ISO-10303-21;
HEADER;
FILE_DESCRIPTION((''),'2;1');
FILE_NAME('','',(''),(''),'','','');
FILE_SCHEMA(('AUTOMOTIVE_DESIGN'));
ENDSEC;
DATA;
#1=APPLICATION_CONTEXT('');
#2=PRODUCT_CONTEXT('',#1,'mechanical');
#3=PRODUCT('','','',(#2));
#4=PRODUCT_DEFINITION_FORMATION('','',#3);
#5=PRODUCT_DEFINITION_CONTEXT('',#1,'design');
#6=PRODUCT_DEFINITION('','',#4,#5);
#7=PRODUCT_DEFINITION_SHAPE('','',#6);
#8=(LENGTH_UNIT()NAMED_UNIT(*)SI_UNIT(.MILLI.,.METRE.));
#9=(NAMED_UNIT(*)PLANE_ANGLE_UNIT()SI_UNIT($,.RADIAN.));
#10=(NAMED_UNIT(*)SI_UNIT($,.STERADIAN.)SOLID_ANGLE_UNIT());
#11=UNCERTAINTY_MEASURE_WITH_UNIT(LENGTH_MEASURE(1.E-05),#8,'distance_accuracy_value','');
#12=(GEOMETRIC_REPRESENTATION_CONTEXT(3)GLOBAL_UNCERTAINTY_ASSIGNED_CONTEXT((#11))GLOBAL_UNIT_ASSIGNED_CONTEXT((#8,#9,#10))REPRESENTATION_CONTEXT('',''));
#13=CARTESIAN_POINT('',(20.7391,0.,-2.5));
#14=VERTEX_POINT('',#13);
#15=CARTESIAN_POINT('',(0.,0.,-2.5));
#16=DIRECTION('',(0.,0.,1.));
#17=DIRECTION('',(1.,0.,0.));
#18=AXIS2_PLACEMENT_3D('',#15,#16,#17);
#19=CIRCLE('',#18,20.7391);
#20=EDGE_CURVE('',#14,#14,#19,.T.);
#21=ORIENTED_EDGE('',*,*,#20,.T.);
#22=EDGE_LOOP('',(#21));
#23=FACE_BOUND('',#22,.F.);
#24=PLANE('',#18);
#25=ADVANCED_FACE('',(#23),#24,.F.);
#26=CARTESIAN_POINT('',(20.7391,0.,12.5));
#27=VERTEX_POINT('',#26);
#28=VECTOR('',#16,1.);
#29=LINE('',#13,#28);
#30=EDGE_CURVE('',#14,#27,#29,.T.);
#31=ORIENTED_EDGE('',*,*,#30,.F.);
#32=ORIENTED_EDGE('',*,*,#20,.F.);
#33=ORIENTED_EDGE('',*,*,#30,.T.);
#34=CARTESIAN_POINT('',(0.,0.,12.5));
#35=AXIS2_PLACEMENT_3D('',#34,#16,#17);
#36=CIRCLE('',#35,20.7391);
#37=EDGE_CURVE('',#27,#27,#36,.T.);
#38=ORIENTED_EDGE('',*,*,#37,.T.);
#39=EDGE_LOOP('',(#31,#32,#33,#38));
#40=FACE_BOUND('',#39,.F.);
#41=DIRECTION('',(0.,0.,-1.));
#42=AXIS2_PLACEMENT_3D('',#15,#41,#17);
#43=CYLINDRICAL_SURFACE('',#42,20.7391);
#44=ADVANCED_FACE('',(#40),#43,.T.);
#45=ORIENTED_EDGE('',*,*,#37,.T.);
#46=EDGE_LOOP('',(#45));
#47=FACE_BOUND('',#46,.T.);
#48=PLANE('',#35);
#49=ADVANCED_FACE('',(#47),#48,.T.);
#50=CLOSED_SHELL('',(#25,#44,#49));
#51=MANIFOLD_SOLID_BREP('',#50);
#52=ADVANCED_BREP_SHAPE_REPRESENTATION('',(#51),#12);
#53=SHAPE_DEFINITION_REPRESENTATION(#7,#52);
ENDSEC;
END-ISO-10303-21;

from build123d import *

# Parameters (mm, degrees)
CYLINDER_R     = 20.7391
CYLINDER_DEPTH = 15


with BuildPart() as part:
    # Cylinder → Cylinder (new body)
    with BuildSketch(Plane.XY.offset(-2.5)):
        Circle(CYLINDER_R)
    extrude(amount=CYLINDER_DEPTH)


solid = part.part
